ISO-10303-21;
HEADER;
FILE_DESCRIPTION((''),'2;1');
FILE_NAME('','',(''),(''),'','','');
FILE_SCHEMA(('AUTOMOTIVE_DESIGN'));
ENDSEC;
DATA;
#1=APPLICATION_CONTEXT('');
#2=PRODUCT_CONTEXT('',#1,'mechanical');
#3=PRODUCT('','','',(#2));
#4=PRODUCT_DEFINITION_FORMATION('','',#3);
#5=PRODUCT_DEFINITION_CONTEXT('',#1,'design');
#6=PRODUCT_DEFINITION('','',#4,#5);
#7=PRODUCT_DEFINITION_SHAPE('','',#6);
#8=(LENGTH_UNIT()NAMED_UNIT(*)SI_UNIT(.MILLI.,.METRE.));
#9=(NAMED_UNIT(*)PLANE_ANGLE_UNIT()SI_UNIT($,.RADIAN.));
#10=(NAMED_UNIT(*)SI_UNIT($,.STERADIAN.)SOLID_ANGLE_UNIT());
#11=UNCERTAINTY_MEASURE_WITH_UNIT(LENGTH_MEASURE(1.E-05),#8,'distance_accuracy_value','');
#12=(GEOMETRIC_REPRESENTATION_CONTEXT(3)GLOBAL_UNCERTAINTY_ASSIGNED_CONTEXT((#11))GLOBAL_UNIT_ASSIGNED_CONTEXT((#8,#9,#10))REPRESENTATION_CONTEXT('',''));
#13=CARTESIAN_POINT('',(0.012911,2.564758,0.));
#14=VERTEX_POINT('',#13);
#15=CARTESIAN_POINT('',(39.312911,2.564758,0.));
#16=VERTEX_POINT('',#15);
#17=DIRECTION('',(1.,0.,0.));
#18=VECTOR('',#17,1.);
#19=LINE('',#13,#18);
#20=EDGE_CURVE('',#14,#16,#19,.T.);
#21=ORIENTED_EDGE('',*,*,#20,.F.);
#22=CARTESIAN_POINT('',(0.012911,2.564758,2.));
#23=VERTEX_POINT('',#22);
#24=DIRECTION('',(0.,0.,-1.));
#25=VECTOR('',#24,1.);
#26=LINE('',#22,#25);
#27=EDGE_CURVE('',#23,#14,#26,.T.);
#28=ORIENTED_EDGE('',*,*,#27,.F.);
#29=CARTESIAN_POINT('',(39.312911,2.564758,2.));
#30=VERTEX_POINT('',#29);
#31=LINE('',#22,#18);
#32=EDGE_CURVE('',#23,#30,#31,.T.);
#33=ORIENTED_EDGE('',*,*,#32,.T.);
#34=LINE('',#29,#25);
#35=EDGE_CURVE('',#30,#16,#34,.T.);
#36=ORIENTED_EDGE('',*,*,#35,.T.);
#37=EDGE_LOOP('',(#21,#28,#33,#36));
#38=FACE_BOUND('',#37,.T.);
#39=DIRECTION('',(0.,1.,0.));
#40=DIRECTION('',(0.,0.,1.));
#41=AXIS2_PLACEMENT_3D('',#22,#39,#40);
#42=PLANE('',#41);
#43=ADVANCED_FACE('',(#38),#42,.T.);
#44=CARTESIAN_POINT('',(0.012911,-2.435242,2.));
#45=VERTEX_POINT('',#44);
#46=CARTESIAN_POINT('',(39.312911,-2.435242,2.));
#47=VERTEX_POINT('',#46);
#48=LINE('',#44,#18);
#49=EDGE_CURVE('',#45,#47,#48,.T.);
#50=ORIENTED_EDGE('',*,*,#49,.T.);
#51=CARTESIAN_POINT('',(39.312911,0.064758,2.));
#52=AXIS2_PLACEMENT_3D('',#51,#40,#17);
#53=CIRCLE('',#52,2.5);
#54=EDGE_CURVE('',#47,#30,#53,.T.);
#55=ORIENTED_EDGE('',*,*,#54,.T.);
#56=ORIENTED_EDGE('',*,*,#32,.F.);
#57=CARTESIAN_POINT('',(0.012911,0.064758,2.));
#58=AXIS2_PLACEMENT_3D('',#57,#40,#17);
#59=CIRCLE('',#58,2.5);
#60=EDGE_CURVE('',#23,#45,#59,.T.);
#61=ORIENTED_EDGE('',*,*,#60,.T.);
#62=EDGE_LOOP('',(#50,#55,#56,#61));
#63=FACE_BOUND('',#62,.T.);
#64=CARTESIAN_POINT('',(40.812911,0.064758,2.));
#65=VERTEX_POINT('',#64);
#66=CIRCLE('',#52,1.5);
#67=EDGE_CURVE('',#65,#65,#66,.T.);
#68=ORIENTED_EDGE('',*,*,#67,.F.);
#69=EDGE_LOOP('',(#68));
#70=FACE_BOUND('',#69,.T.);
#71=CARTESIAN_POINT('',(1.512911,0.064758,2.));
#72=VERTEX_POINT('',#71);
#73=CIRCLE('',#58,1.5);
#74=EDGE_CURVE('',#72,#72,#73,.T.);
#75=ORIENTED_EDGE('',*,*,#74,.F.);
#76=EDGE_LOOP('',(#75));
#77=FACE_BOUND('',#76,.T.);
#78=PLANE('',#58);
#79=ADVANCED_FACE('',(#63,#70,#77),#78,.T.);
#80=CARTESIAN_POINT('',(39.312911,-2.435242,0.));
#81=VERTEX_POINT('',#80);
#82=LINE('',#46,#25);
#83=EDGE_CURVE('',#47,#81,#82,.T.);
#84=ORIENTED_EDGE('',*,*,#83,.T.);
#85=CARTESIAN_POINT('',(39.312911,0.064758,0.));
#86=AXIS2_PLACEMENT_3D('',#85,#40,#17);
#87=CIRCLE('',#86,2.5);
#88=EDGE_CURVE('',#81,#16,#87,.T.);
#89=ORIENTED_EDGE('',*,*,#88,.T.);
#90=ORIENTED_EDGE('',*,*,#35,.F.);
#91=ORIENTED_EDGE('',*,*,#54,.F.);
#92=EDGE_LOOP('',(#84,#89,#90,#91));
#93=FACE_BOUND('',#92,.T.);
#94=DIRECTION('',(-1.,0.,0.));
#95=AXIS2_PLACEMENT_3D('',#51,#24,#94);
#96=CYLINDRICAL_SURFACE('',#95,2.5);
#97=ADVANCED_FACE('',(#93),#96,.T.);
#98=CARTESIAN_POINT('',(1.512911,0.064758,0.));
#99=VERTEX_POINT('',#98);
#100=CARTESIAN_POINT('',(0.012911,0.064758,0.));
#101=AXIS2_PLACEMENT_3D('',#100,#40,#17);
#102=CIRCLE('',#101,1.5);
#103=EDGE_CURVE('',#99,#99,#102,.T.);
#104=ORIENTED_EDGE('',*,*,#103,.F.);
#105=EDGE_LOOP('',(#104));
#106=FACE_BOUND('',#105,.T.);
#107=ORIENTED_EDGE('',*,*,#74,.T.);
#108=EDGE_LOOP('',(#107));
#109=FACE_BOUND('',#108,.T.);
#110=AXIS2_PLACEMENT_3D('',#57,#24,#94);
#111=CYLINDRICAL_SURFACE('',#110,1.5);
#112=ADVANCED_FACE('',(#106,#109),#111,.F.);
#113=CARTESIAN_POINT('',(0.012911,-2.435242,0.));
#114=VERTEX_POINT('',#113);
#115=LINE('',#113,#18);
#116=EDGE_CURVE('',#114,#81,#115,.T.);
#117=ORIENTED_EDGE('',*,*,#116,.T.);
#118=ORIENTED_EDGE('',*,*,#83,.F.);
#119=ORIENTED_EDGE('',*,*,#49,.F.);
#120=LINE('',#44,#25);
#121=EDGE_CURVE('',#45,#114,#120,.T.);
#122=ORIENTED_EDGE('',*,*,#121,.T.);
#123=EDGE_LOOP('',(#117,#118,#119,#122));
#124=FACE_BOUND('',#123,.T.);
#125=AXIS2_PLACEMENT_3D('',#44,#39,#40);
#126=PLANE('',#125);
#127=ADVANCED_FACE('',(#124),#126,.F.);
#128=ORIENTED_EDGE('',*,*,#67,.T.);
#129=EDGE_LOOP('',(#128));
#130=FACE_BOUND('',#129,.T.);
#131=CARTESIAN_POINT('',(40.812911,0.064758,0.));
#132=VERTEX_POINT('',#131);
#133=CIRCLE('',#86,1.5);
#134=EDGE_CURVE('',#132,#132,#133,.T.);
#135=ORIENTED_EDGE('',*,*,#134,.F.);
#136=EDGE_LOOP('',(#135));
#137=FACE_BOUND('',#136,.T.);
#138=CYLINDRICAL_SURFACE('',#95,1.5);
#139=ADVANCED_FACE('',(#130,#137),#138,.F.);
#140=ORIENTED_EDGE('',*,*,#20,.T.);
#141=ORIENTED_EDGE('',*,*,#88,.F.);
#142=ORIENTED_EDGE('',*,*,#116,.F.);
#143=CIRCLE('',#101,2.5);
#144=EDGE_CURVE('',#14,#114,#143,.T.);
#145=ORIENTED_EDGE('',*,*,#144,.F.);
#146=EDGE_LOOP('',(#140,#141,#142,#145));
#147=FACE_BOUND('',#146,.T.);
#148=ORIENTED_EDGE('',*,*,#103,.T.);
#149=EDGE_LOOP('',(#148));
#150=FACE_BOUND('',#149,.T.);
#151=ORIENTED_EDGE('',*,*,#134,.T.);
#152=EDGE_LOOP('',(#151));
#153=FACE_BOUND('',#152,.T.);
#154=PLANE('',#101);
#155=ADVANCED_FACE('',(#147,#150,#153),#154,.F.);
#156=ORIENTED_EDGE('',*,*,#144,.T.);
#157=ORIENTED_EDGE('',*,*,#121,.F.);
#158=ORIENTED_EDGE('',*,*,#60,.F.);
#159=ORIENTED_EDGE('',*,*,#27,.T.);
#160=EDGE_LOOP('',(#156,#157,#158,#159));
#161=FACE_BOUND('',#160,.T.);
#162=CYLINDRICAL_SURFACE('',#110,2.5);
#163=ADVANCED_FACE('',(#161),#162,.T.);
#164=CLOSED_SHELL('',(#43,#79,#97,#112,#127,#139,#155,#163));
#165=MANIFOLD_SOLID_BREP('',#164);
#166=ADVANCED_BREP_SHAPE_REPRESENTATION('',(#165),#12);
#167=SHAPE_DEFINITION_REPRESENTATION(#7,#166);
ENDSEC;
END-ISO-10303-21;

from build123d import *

# Parameters (mm, degrees)
SKETCH1_R           = 1.5
BOSS_EXTRUDE1_DEPTH = 2


with BuildPart() as part:
    # Sketch1 → Boss-Extrude1 (new body)
    with BuildSketch(Plane.XY):
        with BuildLine():
            Line((0.012911396, 2.564758055), (39.312911396, 2.564758055))
            ThreePointArc((39.312911396, 2.564758055), (41.812911396, 0.064758055), (39.312911396, -2.435241945))
            Line((39.312911396, -2.435241945), (0.012911396, -2.435241945))
            ThreePointArc((0.012911396, -2.435241945), (-2.487088604, 0.064758055), (0.012911396, 2.564758055))
        make_face()
        with Locations((0.012911396, 0.064758055)):
            Circle(SKETCH1_R, mode=Mode.SUBTRACT)
        with Locations((39.312911396, 0.064758055)):
            Circle(SKETCH1_R, mode=Mode.SUBTRACT)
    extrude(amount=BOSS_EXTRUDE1_DEPTH)


solid = part.part
